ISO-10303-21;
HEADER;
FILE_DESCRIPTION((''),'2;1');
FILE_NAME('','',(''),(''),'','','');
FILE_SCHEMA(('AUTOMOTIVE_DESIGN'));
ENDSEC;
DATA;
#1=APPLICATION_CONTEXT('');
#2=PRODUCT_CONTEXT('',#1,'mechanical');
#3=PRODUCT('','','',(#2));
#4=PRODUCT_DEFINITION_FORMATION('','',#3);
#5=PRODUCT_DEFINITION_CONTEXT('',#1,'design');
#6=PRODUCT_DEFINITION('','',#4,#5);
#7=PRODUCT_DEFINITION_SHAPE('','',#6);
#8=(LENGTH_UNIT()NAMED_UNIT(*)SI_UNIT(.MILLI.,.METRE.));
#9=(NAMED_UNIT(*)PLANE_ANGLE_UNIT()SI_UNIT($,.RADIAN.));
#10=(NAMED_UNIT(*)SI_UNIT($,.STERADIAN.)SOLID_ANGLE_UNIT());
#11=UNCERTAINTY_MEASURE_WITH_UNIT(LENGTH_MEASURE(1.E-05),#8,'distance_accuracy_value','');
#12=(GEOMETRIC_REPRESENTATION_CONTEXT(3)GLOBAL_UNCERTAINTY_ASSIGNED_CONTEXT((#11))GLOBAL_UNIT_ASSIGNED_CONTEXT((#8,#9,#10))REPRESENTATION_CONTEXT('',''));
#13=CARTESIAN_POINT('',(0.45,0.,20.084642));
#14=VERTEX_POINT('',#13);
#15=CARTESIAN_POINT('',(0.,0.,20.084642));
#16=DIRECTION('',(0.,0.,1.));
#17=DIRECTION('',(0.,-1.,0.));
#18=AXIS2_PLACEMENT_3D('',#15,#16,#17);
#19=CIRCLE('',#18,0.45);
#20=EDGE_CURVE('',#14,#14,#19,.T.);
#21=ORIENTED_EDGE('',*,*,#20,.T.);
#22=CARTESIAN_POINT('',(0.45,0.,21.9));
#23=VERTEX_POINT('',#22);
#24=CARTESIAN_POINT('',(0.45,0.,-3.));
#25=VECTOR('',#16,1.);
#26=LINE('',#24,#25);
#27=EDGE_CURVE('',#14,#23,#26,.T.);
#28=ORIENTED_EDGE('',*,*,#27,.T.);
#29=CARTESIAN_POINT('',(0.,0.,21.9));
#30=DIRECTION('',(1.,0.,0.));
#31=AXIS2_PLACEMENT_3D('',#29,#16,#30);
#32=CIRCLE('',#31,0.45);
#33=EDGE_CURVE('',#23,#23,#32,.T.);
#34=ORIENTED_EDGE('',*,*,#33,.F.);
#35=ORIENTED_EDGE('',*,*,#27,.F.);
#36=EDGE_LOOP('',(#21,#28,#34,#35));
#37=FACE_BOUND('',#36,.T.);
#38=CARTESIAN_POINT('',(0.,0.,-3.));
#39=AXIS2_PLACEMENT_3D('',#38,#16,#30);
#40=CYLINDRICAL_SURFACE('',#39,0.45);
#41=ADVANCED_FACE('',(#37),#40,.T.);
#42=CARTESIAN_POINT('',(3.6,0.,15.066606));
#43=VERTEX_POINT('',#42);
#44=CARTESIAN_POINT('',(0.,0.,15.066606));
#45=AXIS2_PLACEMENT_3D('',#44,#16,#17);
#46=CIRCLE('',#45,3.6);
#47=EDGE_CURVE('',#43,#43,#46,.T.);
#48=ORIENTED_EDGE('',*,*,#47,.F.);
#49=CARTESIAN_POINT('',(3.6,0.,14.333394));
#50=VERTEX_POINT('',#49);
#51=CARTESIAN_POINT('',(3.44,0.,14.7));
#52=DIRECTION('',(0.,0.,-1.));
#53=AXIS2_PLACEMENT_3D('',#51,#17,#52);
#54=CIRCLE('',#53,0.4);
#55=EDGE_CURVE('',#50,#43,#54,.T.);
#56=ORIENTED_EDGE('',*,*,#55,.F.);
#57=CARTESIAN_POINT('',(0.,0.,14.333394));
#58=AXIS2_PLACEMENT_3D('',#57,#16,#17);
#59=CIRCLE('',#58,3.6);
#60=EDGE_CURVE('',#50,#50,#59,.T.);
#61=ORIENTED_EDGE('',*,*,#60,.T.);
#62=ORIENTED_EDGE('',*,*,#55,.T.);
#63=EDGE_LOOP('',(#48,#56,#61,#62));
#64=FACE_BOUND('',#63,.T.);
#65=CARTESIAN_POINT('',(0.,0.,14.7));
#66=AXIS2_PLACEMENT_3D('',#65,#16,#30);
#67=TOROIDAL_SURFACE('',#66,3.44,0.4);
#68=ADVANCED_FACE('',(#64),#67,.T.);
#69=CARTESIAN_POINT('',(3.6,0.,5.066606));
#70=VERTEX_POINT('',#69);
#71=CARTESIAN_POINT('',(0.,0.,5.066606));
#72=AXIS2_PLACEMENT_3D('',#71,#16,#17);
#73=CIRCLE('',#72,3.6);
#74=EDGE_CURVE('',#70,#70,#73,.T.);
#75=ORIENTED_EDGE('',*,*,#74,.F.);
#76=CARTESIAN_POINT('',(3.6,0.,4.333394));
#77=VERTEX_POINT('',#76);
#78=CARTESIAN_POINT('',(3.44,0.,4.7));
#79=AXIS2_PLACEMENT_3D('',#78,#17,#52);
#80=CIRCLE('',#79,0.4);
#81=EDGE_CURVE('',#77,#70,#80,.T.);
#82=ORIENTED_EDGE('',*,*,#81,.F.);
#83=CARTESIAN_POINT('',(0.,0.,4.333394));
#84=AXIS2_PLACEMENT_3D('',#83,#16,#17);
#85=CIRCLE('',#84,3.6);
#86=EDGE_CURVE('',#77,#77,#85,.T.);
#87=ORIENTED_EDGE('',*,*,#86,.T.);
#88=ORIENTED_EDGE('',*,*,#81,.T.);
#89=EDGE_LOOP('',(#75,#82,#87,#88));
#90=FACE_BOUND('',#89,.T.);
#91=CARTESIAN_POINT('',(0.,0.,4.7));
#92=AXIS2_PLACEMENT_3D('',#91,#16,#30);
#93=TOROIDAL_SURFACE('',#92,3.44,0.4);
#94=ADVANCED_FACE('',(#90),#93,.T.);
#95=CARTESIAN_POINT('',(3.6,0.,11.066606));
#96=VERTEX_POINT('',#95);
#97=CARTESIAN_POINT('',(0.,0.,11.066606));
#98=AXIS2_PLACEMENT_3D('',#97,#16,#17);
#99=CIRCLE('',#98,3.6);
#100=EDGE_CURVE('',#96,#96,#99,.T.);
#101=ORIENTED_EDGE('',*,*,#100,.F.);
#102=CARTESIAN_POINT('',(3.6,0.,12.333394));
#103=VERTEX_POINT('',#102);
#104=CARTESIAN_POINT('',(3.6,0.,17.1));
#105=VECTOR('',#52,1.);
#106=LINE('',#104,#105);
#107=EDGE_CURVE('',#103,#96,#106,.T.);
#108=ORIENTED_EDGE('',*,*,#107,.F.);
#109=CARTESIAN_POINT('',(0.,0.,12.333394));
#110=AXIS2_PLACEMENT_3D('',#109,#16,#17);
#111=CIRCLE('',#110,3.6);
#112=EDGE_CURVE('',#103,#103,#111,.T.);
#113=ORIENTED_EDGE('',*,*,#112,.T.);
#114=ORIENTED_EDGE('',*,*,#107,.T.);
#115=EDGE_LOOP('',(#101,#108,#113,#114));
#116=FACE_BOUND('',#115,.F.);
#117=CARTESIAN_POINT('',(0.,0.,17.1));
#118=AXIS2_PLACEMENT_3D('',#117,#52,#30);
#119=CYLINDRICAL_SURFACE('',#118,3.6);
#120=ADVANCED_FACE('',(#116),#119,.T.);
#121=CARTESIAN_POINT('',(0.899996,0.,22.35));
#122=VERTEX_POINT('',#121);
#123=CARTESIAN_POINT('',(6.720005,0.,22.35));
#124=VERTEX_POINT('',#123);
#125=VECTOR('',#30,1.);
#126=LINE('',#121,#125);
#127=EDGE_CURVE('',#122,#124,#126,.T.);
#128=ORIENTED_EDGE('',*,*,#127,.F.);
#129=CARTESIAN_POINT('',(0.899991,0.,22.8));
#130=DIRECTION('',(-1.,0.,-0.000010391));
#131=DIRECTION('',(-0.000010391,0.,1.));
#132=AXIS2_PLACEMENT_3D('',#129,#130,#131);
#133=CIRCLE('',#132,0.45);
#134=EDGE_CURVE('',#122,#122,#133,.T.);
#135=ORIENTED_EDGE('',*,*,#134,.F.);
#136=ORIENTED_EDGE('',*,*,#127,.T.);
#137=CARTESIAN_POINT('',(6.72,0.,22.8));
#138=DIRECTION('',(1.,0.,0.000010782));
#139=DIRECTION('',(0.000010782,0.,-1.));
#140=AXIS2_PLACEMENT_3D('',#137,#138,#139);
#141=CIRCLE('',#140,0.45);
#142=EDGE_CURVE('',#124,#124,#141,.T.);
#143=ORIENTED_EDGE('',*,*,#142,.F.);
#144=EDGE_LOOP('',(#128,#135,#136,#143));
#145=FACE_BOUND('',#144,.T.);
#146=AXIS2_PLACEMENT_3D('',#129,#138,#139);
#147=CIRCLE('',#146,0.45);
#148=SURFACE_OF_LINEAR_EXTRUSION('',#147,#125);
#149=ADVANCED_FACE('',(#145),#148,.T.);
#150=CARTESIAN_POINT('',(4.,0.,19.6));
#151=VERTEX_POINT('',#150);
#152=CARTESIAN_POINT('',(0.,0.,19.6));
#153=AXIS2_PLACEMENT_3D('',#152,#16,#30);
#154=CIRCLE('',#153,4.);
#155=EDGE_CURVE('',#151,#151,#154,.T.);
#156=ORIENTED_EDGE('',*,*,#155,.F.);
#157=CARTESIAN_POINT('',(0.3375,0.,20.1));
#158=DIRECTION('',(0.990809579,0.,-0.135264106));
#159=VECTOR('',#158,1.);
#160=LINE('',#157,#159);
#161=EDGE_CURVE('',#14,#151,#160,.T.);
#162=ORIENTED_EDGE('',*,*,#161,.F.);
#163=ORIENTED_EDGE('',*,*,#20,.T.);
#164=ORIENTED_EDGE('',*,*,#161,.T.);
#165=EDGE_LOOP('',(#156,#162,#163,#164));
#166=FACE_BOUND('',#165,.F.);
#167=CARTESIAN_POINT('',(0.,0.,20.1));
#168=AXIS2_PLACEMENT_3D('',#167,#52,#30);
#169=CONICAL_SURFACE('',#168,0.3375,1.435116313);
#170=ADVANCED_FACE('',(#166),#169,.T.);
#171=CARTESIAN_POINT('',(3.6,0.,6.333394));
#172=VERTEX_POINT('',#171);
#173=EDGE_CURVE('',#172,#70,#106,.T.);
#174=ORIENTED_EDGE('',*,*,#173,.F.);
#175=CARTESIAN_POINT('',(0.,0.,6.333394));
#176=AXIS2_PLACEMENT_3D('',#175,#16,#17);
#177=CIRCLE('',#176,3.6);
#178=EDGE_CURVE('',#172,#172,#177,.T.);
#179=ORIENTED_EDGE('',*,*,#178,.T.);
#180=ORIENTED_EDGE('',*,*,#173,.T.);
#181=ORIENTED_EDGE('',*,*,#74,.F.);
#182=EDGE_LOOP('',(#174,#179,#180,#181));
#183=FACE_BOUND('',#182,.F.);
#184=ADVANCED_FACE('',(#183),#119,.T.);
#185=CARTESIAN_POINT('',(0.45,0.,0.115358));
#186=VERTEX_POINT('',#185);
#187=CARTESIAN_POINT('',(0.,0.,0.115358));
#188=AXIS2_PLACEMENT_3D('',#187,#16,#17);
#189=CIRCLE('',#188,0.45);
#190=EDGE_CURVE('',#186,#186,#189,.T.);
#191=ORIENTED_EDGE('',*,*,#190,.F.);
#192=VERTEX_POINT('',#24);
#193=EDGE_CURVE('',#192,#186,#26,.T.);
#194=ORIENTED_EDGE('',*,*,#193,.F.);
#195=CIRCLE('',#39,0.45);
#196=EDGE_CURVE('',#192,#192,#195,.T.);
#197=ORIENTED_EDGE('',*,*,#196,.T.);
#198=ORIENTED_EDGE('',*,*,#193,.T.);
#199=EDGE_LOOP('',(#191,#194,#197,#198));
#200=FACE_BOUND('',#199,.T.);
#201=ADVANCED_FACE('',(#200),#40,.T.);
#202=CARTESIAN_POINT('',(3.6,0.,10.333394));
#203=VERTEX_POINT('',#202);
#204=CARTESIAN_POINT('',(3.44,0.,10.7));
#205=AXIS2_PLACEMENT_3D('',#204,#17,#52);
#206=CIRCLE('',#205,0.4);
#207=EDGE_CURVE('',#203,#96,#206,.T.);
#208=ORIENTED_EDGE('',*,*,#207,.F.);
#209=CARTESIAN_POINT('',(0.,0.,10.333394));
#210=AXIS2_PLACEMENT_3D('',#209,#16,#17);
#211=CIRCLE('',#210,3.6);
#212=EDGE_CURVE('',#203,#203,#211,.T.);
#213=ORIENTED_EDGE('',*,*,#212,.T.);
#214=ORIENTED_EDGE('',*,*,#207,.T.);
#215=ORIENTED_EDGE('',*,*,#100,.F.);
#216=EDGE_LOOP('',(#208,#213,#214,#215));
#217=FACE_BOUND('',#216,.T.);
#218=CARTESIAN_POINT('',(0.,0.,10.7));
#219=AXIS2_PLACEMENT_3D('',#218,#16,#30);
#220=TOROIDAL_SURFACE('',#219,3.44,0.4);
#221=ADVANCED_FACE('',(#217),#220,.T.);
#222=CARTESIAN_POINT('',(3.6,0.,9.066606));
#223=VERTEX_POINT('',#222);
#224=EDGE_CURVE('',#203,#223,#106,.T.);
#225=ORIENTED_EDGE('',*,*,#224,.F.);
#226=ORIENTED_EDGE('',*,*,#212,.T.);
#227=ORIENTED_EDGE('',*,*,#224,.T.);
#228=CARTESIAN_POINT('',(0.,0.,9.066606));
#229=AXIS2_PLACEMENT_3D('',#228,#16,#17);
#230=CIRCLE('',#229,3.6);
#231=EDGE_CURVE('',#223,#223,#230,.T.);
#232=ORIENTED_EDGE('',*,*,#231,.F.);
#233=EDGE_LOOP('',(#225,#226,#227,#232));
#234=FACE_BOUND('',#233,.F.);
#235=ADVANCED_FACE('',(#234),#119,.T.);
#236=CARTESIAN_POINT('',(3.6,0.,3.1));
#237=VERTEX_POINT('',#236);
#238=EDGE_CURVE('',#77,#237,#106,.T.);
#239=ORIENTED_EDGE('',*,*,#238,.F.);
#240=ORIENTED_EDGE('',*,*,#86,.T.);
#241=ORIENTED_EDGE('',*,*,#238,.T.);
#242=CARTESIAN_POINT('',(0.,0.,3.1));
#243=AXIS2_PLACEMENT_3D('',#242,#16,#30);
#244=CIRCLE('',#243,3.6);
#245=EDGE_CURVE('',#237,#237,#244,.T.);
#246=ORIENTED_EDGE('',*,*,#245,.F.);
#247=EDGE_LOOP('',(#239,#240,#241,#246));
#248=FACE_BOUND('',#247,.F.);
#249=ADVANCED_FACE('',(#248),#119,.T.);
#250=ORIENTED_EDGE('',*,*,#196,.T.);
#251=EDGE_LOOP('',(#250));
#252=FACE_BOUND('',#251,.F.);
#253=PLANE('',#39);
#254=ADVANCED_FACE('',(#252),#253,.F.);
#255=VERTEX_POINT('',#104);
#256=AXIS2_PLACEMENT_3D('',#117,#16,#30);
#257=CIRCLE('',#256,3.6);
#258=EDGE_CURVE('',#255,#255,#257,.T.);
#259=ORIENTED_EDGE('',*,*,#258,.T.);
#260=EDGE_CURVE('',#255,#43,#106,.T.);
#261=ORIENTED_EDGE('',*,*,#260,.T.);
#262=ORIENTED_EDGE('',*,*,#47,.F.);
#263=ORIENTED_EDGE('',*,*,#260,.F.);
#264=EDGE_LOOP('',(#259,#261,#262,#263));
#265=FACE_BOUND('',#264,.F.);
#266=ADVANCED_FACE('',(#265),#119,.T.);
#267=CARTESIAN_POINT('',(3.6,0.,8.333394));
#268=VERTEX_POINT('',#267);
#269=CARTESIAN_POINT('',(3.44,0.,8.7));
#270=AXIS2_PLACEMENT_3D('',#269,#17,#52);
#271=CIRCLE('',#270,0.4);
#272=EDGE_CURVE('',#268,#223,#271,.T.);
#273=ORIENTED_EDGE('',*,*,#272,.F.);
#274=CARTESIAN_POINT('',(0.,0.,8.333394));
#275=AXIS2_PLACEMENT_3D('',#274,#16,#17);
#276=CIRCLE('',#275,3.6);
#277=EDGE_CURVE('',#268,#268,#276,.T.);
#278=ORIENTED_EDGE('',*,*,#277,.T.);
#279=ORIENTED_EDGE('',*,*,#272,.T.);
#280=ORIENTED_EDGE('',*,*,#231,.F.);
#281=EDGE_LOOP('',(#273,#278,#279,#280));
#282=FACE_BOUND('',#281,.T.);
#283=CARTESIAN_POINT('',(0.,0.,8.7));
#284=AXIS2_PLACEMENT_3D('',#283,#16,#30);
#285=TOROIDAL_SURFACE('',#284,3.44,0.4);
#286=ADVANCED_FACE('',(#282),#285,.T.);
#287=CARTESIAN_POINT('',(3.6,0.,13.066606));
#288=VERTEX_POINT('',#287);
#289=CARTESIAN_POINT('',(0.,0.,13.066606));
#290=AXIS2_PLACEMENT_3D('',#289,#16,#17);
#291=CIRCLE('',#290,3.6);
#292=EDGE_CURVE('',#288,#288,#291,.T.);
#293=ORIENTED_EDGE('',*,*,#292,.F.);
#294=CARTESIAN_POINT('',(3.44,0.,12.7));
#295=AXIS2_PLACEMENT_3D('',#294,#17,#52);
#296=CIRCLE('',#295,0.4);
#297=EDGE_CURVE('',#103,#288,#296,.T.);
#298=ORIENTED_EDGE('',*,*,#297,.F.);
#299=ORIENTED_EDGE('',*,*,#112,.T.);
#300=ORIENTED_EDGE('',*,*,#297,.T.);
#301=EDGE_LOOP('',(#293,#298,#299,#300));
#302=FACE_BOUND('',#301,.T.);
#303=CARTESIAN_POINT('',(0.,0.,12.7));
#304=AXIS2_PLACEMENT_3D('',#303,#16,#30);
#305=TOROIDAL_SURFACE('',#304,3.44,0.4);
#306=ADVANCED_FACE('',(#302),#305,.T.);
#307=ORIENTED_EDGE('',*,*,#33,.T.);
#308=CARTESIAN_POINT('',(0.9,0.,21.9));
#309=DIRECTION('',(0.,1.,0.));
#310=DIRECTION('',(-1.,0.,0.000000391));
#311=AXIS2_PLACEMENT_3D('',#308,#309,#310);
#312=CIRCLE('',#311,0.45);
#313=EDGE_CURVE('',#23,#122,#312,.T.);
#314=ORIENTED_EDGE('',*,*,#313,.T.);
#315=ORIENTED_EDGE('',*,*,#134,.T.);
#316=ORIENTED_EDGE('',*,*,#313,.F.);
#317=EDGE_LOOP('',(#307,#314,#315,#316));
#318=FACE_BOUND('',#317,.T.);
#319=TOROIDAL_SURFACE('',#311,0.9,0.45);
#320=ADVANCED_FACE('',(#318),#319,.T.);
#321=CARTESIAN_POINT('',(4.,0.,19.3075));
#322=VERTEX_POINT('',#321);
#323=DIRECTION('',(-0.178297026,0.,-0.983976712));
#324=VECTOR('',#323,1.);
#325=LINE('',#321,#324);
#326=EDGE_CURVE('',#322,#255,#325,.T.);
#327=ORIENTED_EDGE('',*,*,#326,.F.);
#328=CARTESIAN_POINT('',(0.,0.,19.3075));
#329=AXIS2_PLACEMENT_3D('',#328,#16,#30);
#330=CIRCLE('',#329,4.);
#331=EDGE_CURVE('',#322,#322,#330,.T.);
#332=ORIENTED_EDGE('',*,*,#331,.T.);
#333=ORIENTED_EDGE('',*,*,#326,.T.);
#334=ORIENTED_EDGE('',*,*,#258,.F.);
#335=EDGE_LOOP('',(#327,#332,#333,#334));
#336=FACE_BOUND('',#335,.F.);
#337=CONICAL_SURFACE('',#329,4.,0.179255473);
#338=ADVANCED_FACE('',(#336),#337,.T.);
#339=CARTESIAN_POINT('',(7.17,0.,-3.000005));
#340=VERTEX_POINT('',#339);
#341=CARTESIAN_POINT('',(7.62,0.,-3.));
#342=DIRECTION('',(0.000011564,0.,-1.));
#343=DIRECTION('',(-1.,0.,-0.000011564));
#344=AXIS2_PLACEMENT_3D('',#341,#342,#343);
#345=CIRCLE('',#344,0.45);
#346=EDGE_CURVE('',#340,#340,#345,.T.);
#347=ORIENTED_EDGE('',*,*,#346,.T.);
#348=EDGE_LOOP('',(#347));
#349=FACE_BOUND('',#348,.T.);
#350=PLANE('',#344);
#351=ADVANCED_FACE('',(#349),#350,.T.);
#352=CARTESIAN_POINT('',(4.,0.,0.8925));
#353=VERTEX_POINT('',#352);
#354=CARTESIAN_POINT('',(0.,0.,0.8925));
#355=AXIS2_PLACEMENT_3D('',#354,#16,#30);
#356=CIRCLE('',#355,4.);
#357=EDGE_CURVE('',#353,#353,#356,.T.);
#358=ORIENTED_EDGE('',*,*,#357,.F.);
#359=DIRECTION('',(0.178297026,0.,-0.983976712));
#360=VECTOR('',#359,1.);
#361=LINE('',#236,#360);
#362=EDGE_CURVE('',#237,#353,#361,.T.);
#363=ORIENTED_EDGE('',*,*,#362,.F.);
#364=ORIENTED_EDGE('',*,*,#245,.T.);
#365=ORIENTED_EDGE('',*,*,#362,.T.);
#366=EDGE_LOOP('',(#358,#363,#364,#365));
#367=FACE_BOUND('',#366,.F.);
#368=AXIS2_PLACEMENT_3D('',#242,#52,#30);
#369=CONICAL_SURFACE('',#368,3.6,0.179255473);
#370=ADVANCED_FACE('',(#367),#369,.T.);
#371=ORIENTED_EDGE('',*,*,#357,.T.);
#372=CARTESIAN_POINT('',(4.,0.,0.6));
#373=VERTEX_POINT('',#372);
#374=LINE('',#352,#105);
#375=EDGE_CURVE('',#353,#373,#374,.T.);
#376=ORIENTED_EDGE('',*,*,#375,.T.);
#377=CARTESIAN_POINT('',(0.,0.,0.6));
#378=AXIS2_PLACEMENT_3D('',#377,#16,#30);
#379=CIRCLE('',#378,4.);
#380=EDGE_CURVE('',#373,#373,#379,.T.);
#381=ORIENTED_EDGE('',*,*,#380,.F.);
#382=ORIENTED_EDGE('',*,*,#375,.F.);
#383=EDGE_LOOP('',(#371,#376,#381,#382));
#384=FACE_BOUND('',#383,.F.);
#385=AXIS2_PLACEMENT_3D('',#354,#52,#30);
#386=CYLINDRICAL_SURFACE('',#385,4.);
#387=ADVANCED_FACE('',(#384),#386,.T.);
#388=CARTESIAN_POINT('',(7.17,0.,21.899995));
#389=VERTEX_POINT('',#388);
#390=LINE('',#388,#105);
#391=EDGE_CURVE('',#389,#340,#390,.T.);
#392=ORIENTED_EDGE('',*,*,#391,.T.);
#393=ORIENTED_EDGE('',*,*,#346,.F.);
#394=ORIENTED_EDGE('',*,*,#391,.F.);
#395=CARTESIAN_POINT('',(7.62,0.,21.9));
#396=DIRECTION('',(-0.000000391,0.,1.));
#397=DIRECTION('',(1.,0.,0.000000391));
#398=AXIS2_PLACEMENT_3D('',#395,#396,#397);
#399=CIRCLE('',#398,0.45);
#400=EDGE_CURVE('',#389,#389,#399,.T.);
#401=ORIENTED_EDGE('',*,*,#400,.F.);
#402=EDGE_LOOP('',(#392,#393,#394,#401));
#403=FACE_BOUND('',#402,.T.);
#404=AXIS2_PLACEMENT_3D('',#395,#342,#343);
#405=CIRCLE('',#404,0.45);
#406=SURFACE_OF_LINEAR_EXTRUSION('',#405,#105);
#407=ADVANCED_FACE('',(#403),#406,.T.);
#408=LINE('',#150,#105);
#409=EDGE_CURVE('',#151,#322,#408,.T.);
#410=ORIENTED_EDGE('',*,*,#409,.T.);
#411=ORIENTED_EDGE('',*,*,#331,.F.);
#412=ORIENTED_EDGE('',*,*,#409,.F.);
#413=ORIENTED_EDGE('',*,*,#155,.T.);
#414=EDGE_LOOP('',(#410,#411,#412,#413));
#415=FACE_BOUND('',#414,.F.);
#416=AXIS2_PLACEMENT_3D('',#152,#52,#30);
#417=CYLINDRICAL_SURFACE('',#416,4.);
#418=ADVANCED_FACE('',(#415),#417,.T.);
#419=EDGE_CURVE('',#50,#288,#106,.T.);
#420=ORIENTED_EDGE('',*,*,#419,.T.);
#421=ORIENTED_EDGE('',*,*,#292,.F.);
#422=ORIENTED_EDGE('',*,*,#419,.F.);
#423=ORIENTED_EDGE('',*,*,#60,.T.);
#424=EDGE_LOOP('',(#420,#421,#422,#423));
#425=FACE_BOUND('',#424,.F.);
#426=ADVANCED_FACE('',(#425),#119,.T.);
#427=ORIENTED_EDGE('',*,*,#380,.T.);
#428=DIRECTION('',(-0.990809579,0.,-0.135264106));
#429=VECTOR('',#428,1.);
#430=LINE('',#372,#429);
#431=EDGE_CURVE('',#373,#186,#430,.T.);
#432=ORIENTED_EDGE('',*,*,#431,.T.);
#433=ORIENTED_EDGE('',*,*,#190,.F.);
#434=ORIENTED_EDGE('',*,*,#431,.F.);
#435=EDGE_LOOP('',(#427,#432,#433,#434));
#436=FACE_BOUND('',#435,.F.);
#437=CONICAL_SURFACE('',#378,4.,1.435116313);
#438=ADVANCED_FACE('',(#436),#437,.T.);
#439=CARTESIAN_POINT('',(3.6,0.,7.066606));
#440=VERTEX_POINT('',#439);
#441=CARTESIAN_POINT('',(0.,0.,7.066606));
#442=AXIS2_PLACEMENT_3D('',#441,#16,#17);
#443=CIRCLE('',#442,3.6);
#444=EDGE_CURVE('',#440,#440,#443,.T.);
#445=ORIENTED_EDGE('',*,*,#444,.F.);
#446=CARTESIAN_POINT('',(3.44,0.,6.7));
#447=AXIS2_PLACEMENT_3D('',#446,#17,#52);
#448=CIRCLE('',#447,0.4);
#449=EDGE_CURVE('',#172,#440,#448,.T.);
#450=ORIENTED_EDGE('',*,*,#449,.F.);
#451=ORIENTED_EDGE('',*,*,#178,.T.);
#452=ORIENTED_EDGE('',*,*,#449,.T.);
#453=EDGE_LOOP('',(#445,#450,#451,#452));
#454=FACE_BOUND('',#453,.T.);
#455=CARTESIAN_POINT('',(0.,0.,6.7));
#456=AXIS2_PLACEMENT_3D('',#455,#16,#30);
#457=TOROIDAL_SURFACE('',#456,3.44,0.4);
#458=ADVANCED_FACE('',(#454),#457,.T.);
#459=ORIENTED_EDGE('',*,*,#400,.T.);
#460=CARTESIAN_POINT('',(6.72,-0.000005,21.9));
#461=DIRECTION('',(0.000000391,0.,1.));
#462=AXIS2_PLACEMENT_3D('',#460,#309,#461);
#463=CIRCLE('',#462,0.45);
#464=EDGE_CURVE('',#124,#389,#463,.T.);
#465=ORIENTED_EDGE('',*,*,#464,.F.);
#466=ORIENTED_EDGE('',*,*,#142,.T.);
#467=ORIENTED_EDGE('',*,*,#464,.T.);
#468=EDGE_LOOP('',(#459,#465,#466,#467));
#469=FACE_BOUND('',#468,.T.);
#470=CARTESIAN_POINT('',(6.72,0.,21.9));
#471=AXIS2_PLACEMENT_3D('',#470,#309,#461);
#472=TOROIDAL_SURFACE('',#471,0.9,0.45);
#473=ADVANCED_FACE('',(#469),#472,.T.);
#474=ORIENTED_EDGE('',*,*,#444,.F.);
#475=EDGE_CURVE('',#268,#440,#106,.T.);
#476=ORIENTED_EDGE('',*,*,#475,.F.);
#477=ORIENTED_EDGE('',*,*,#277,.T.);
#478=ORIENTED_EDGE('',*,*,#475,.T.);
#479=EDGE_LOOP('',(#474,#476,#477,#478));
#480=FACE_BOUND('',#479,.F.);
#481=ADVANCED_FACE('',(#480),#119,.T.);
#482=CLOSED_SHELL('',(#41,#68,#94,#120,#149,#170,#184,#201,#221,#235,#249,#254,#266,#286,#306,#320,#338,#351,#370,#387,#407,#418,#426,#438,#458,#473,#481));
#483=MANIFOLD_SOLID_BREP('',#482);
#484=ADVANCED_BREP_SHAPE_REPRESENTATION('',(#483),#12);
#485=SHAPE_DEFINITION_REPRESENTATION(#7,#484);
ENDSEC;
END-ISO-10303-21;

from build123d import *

# Parameters (mm, degrees)
SKETCH_R = 0.45


with BuildPart() as revolution:
    # Sketch002 → Revolution (revolve)
    with BuildSketch(Plane.XZ):
        Polygon((0, 0.1), (0, 20.1), (0.3375, 20.1), (4, 19.6), (4, 19.3075), (3.6, 17.1), (3.6, 3.1), (4, 0.8925), (4, 0.6), (0.3375, 0.1), align=None)
    revolve(axis=Axis((0, 0, 0), (0, 0, 1)))


with BuildPart() as sweep_body:
    # Sweep: sweep along a path in Sketch001
    with BuildLine(Plane.XZ) as sweep_path:
        Line((0, -3), (0, 21.9))
        ThreePointArc((0, 21.9), (0.263601, 22.536393), (0.899991, 22.8))
        Line((0.899991, 22.8), (6.72, 22.8))
        ThreePointArc((6.72, 22.8), (7.356396, 22.536396), (7.62, 21.9))
        Line((7.62, 21.9), (7.62, -3))
    # Sketch → Sweep (sweep)
    with BuildSketch(Plane.XY.offset(-2)):
        Circle(SKETCH_R)
    sweep(path=sweep_path.line)


with BuildPart() as l_axial_l20_0mm_d8_0mm_p7_62mm_vertical:
    # Sketch003 → Revolution001 (revolve)
    with BuildSketch(Plane.XZ):
        with BuildLine():
            Line((3.2, 16.3), (3.2, 3.1))
            Line((3.2, 3.1), (3.44, 3.1))
            Line((3.44, 3.1), (3.44, 4.3))
            ThreePointArc((3.44, 4.3), (3.84, 4.7), (3.44, 5.1))
            Line((3.44, 5.1), (3.44, 6.3))
            ThreePointArc((3.44, 6.3), (3.84, 6.7), (3.44, 7.1))
            Line((3.44, 7.1), (3.44, 8.3))
            ThreePointArc((3.44, 8.3), (3.84, 8.7), (3.44, 9.1))
            Line((3.44, 9.1), (3.44, 10.3))
            ThreePointArc((3.44, 10.3), (3.84, 10.7), (3.44, 11.1))
            Line((3.44, 11.1), (3.44, 12.3))
            ThreePointArc((3.44, 12.3), (3.84, 12.7), (3.44, 13.1))
            Line((3.44, 13.1), (3.44, 14.3))
            ThreePointArc((3.44, 14.3), (3.84, 14.7), (3.44, 15.1))
            Line((3.44, 16.3), (3.44, 15.1))
            Line((3.2, 16.3), (3.44, 16.3))
        make_face()
    revolve(axis=Axis((0, 0, 0), (0, 0, 1)))

    # Revolution001_mp_cp: union Revolution, Sweep body
    add(revolution.part)
    add(sweep_body.part)


solid = l_axial_l20_0mm_d8_0mm_p7_62mm_vertical.part
